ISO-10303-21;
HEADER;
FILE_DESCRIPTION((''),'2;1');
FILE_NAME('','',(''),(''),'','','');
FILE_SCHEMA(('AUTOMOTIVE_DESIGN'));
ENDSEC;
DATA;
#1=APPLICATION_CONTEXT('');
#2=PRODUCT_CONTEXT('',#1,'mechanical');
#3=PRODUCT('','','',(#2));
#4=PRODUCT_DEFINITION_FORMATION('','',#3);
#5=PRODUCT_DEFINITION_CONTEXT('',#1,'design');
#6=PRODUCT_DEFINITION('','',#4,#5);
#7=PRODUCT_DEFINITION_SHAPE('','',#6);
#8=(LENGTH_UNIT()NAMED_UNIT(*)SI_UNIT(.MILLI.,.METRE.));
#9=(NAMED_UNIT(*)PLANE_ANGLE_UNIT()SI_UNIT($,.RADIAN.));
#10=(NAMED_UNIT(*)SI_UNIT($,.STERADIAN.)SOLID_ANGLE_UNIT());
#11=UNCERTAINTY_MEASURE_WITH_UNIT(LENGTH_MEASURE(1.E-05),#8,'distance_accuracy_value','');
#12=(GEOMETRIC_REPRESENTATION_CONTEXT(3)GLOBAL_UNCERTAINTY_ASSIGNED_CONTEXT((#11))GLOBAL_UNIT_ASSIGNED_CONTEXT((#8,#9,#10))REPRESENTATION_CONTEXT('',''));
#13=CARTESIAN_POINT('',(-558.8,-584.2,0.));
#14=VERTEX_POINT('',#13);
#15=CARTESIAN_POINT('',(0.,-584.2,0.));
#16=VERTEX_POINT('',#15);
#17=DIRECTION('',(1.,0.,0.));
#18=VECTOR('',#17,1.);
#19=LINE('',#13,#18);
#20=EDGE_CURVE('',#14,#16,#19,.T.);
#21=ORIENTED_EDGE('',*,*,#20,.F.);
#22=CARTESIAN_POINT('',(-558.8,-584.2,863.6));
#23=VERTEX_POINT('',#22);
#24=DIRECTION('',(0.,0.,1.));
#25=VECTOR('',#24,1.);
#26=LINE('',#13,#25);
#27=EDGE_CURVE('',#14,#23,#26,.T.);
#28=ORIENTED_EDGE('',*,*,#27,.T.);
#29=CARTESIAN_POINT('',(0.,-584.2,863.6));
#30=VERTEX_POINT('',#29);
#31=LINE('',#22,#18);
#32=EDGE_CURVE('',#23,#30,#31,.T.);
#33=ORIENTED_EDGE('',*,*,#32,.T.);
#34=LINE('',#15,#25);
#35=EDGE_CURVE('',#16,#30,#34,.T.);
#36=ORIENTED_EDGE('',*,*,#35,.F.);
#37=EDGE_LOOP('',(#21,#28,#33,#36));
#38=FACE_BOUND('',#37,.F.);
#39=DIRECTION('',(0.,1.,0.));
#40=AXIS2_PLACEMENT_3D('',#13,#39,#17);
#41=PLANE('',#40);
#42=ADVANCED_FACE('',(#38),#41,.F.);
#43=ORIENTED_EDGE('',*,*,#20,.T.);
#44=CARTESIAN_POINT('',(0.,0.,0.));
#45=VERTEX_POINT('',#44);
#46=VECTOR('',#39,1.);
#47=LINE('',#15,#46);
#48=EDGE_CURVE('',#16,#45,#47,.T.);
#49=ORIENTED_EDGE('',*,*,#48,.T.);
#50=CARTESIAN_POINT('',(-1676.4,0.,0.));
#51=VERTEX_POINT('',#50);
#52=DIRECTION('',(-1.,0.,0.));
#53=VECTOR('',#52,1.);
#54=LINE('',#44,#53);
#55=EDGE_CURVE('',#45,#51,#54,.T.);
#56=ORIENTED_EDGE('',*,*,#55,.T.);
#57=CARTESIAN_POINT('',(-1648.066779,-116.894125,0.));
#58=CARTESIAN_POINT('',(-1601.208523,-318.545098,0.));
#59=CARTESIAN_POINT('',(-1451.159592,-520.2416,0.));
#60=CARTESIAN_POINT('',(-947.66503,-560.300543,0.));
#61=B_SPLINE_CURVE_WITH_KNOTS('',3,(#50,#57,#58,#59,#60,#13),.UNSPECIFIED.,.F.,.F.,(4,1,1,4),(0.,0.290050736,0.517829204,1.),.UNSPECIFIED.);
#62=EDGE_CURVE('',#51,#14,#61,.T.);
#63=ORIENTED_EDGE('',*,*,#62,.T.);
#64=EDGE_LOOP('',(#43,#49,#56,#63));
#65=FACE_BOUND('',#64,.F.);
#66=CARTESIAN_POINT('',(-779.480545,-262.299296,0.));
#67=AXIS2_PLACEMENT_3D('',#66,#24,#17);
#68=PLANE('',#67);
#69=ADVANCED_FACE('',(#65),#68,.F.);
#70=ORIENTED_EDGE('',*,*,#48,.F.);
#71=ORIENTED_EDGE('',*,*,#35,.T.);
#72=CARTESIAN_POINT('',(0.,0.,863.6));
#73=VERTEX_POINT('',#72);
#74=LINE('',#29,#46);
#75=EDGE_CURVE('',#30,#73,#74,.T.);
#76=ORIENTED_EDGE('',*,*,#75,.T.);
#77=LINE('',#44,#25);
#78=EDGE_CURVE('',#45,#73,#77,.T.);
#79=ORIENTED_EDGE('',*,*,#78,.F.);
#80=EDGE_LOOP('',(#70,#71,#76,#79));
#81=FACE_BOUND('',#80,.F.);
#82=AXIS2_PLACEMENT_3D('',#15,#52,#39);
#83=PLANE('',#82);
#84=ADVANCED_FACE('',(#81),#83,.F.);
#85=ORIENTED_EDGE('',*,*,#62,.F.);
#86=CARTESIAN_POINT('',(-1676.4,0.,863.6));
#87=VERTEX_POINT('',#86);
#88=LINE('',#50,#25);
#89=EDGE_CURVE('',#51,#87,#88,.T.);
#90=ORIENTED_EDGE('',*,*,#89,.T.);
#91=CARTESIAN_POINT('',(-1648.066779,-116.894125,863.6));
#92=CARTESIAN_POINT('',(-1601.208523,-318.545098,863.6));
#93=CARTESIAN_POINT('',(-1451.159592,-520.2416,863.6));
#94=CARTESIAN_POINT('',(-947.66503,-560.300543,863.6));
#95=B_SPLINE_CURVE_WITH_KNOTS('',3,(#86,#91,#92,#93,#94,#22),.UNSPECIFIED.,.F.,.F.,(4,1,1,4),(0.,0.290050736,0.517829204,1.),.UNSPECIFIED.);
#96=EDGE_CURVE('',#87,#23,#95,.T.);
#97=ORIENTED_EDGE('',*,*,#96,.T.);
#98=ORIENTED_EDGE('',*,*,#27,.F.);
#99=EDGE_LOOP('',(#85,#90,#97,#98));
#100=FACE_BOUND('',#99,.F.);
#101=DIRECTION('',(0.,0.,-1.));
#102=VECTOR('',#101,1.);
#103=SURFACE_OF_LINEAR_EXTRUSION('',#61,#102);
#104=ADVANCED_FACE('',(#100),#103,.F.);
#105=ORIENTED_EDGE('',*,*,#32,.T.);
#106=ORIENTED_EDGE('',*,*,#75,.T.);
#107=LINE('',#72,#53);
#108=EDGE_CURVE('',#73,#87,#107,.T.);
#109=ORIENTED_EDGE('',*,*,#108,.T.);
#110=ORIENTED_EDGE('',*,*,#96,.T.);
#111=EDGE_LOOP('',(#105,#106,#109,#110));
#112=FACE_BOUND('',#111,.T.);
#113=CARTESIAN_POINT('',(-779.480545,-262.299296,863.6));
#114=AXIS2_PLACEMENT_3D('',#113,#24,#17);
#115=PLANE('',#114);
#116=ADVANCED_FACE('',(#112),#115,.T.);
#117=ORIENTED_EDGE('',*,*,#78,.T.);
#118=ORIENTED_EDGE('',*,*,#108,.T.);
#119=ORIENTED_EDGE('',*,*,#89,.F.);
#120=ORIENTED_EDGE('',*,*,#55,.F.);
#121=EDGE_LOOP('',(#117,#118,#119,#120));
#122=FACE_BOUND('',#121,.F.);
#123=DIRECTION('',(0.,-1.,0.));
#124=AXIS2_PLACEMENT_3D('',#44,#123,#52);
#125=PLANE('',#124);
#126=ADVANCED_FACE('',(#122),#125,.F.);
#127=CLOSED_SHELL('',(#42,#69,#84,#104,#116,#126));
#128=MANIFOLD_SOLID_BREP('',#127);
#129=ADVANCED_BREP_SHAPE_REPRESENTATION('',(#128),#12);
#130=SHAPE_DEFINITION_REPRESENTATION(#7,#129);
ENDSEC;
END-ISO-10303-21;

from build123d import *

# Parameters (mm, degrees)
F1_DEPTH = 863.6


with BuildPart() as f1:
    # F0 (on Top) → F1 (new body)
    with BuildSketch(Plane.XY):
        with BuildLine():
            Line((0, -584.2), (0, 0))
            Line((0, 0), (-1676.4, 0))
            add(Edge.make_bspline(
                [(-1676.4, 0), (-1648.0667786481, -116.8941252034), (-1601.2085232209, -318.5450980783), (-1451.1595918226, -520.2415996125), (-947.6650302188, -560.3005434453), (-558.8, -584.2)],
                knots=[0, 0, 0, 0, 0.2900507363, 0.5178292037, 1, 1, 1, 1], degree=3))
            Line((-558.8, -584.2), (0, -584.2))
        make_face()
    extrude(amount=F1_DEPTH)


solid = f1.part
